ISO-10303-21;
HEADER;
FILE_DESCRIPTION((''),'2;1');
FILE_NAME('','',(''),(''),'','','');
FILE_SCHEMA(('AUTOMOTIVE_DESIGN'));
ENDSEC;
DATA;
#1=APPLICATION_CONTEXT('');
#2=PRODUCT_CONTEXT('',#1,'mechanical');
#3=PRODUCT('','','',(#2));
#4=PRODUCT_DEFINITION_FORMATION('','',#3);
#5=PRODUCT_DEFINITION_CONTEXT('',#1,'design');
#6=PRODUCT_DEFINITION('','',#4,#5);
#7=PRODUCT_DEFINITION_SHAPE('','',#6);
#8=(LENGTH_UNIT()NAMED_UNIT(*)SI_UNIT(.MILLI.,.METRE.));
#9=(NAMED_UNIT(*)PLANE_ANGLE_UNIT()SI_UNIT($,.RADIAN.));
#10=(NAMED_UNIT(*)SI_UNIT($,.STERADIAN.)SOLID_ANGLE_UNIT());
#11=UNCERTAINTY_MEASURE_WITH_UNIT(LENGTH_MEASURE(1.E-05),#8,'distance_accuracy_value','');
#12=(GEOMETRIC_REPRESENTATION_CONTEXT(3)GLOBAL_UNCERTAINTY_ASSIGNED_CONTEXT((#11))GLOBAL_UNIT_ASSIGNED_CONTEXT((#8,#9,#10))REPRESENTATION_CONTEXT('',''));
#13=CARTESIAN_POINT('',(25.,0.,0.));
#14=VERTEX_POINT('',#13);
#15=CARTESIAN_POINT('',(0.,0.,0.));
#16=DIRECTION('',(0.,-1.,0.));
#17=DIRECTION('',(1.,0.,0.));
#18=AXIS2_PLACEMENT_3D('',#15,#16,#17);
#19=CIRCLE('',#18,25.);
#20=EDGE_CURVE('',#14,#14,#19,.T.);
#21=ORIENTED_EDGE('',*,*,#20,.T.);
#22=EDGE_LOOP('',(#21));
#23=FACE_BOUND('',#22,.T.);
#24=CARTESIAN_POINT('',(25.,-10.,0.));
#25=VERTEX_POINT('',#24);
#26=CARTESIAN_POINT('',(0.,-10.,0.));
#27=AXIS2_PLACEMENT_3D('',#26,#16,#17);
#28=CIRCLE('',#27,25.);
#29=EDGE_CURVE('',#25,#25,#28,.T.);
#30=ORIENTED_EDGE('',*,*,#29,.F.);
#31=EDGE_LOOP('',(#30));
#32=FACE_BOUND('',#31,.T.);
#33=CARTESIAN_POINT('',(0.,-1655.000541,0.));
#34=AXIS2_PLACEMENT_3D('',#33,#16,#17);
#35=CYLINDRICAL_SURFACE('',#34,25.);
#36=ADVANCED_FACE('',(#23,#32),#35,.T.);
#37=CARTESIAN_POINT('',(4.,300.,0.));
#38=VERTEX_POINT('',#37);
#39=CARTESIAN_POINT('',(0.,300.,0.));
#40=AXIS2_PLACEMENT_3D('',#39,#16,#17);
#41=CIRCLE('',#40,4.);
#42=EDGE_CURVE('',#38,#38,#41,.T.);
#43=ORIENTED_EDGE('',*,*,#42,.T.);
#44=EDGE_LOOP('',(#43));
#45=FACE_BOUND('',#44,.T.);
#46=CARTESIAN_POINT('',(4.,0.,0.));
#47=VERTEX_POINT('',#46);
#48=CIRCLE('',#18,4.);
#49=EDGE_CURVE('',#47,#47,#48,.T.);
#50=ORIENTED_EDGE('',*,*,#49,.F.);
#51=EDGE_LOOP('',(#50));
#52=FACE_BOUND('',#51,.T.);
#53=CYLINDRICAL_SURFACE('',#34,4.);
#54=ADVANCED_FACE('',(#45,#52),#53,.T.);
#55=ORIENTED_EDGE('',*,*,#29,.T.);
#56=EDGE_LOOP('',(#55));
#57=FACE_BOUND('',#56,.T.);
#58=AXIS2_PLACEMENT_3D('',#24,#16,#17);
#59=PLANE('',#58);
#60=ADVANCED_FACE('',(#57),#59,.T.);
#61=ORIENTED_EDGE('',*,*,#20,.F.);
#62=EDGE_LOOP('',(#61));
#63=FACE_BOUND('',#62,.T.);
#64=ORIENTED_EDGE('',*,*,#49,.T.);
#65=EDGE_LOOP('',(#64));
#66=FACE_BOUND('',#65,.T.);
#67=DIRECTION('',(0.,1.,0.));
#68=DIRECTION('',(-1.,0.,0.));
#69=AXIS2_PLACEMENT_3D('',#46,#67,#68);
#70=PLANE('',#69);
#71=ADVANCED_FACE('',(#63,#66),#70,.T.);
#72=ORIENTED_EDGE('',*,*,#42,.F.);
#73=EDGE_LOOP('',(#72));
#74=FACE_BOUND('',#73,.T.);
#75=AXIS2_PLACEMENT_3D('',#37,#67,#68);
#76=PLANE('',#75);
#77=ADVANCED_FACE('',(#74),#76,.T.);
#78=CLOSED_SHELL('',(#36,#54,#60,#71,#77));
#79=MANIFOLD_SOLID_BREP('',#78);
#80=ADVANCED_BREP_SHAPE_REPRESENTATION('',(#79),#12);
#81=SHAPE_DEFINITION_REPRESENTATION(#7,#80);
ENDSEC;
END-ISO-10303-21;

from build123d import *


with BuildPart() as part:
    # Sketch1 → Revolve1 (revolve)
    with BuildSketch(Plane.XY):
        Polygon((4, 300), (4, 0), (25, 0), (25, -10), (0, -10), (0, 300), align=None)
    revolve(axis=Axis((0, -1655.000540862, 0), (0, 1, 0)))


solid = part.part
